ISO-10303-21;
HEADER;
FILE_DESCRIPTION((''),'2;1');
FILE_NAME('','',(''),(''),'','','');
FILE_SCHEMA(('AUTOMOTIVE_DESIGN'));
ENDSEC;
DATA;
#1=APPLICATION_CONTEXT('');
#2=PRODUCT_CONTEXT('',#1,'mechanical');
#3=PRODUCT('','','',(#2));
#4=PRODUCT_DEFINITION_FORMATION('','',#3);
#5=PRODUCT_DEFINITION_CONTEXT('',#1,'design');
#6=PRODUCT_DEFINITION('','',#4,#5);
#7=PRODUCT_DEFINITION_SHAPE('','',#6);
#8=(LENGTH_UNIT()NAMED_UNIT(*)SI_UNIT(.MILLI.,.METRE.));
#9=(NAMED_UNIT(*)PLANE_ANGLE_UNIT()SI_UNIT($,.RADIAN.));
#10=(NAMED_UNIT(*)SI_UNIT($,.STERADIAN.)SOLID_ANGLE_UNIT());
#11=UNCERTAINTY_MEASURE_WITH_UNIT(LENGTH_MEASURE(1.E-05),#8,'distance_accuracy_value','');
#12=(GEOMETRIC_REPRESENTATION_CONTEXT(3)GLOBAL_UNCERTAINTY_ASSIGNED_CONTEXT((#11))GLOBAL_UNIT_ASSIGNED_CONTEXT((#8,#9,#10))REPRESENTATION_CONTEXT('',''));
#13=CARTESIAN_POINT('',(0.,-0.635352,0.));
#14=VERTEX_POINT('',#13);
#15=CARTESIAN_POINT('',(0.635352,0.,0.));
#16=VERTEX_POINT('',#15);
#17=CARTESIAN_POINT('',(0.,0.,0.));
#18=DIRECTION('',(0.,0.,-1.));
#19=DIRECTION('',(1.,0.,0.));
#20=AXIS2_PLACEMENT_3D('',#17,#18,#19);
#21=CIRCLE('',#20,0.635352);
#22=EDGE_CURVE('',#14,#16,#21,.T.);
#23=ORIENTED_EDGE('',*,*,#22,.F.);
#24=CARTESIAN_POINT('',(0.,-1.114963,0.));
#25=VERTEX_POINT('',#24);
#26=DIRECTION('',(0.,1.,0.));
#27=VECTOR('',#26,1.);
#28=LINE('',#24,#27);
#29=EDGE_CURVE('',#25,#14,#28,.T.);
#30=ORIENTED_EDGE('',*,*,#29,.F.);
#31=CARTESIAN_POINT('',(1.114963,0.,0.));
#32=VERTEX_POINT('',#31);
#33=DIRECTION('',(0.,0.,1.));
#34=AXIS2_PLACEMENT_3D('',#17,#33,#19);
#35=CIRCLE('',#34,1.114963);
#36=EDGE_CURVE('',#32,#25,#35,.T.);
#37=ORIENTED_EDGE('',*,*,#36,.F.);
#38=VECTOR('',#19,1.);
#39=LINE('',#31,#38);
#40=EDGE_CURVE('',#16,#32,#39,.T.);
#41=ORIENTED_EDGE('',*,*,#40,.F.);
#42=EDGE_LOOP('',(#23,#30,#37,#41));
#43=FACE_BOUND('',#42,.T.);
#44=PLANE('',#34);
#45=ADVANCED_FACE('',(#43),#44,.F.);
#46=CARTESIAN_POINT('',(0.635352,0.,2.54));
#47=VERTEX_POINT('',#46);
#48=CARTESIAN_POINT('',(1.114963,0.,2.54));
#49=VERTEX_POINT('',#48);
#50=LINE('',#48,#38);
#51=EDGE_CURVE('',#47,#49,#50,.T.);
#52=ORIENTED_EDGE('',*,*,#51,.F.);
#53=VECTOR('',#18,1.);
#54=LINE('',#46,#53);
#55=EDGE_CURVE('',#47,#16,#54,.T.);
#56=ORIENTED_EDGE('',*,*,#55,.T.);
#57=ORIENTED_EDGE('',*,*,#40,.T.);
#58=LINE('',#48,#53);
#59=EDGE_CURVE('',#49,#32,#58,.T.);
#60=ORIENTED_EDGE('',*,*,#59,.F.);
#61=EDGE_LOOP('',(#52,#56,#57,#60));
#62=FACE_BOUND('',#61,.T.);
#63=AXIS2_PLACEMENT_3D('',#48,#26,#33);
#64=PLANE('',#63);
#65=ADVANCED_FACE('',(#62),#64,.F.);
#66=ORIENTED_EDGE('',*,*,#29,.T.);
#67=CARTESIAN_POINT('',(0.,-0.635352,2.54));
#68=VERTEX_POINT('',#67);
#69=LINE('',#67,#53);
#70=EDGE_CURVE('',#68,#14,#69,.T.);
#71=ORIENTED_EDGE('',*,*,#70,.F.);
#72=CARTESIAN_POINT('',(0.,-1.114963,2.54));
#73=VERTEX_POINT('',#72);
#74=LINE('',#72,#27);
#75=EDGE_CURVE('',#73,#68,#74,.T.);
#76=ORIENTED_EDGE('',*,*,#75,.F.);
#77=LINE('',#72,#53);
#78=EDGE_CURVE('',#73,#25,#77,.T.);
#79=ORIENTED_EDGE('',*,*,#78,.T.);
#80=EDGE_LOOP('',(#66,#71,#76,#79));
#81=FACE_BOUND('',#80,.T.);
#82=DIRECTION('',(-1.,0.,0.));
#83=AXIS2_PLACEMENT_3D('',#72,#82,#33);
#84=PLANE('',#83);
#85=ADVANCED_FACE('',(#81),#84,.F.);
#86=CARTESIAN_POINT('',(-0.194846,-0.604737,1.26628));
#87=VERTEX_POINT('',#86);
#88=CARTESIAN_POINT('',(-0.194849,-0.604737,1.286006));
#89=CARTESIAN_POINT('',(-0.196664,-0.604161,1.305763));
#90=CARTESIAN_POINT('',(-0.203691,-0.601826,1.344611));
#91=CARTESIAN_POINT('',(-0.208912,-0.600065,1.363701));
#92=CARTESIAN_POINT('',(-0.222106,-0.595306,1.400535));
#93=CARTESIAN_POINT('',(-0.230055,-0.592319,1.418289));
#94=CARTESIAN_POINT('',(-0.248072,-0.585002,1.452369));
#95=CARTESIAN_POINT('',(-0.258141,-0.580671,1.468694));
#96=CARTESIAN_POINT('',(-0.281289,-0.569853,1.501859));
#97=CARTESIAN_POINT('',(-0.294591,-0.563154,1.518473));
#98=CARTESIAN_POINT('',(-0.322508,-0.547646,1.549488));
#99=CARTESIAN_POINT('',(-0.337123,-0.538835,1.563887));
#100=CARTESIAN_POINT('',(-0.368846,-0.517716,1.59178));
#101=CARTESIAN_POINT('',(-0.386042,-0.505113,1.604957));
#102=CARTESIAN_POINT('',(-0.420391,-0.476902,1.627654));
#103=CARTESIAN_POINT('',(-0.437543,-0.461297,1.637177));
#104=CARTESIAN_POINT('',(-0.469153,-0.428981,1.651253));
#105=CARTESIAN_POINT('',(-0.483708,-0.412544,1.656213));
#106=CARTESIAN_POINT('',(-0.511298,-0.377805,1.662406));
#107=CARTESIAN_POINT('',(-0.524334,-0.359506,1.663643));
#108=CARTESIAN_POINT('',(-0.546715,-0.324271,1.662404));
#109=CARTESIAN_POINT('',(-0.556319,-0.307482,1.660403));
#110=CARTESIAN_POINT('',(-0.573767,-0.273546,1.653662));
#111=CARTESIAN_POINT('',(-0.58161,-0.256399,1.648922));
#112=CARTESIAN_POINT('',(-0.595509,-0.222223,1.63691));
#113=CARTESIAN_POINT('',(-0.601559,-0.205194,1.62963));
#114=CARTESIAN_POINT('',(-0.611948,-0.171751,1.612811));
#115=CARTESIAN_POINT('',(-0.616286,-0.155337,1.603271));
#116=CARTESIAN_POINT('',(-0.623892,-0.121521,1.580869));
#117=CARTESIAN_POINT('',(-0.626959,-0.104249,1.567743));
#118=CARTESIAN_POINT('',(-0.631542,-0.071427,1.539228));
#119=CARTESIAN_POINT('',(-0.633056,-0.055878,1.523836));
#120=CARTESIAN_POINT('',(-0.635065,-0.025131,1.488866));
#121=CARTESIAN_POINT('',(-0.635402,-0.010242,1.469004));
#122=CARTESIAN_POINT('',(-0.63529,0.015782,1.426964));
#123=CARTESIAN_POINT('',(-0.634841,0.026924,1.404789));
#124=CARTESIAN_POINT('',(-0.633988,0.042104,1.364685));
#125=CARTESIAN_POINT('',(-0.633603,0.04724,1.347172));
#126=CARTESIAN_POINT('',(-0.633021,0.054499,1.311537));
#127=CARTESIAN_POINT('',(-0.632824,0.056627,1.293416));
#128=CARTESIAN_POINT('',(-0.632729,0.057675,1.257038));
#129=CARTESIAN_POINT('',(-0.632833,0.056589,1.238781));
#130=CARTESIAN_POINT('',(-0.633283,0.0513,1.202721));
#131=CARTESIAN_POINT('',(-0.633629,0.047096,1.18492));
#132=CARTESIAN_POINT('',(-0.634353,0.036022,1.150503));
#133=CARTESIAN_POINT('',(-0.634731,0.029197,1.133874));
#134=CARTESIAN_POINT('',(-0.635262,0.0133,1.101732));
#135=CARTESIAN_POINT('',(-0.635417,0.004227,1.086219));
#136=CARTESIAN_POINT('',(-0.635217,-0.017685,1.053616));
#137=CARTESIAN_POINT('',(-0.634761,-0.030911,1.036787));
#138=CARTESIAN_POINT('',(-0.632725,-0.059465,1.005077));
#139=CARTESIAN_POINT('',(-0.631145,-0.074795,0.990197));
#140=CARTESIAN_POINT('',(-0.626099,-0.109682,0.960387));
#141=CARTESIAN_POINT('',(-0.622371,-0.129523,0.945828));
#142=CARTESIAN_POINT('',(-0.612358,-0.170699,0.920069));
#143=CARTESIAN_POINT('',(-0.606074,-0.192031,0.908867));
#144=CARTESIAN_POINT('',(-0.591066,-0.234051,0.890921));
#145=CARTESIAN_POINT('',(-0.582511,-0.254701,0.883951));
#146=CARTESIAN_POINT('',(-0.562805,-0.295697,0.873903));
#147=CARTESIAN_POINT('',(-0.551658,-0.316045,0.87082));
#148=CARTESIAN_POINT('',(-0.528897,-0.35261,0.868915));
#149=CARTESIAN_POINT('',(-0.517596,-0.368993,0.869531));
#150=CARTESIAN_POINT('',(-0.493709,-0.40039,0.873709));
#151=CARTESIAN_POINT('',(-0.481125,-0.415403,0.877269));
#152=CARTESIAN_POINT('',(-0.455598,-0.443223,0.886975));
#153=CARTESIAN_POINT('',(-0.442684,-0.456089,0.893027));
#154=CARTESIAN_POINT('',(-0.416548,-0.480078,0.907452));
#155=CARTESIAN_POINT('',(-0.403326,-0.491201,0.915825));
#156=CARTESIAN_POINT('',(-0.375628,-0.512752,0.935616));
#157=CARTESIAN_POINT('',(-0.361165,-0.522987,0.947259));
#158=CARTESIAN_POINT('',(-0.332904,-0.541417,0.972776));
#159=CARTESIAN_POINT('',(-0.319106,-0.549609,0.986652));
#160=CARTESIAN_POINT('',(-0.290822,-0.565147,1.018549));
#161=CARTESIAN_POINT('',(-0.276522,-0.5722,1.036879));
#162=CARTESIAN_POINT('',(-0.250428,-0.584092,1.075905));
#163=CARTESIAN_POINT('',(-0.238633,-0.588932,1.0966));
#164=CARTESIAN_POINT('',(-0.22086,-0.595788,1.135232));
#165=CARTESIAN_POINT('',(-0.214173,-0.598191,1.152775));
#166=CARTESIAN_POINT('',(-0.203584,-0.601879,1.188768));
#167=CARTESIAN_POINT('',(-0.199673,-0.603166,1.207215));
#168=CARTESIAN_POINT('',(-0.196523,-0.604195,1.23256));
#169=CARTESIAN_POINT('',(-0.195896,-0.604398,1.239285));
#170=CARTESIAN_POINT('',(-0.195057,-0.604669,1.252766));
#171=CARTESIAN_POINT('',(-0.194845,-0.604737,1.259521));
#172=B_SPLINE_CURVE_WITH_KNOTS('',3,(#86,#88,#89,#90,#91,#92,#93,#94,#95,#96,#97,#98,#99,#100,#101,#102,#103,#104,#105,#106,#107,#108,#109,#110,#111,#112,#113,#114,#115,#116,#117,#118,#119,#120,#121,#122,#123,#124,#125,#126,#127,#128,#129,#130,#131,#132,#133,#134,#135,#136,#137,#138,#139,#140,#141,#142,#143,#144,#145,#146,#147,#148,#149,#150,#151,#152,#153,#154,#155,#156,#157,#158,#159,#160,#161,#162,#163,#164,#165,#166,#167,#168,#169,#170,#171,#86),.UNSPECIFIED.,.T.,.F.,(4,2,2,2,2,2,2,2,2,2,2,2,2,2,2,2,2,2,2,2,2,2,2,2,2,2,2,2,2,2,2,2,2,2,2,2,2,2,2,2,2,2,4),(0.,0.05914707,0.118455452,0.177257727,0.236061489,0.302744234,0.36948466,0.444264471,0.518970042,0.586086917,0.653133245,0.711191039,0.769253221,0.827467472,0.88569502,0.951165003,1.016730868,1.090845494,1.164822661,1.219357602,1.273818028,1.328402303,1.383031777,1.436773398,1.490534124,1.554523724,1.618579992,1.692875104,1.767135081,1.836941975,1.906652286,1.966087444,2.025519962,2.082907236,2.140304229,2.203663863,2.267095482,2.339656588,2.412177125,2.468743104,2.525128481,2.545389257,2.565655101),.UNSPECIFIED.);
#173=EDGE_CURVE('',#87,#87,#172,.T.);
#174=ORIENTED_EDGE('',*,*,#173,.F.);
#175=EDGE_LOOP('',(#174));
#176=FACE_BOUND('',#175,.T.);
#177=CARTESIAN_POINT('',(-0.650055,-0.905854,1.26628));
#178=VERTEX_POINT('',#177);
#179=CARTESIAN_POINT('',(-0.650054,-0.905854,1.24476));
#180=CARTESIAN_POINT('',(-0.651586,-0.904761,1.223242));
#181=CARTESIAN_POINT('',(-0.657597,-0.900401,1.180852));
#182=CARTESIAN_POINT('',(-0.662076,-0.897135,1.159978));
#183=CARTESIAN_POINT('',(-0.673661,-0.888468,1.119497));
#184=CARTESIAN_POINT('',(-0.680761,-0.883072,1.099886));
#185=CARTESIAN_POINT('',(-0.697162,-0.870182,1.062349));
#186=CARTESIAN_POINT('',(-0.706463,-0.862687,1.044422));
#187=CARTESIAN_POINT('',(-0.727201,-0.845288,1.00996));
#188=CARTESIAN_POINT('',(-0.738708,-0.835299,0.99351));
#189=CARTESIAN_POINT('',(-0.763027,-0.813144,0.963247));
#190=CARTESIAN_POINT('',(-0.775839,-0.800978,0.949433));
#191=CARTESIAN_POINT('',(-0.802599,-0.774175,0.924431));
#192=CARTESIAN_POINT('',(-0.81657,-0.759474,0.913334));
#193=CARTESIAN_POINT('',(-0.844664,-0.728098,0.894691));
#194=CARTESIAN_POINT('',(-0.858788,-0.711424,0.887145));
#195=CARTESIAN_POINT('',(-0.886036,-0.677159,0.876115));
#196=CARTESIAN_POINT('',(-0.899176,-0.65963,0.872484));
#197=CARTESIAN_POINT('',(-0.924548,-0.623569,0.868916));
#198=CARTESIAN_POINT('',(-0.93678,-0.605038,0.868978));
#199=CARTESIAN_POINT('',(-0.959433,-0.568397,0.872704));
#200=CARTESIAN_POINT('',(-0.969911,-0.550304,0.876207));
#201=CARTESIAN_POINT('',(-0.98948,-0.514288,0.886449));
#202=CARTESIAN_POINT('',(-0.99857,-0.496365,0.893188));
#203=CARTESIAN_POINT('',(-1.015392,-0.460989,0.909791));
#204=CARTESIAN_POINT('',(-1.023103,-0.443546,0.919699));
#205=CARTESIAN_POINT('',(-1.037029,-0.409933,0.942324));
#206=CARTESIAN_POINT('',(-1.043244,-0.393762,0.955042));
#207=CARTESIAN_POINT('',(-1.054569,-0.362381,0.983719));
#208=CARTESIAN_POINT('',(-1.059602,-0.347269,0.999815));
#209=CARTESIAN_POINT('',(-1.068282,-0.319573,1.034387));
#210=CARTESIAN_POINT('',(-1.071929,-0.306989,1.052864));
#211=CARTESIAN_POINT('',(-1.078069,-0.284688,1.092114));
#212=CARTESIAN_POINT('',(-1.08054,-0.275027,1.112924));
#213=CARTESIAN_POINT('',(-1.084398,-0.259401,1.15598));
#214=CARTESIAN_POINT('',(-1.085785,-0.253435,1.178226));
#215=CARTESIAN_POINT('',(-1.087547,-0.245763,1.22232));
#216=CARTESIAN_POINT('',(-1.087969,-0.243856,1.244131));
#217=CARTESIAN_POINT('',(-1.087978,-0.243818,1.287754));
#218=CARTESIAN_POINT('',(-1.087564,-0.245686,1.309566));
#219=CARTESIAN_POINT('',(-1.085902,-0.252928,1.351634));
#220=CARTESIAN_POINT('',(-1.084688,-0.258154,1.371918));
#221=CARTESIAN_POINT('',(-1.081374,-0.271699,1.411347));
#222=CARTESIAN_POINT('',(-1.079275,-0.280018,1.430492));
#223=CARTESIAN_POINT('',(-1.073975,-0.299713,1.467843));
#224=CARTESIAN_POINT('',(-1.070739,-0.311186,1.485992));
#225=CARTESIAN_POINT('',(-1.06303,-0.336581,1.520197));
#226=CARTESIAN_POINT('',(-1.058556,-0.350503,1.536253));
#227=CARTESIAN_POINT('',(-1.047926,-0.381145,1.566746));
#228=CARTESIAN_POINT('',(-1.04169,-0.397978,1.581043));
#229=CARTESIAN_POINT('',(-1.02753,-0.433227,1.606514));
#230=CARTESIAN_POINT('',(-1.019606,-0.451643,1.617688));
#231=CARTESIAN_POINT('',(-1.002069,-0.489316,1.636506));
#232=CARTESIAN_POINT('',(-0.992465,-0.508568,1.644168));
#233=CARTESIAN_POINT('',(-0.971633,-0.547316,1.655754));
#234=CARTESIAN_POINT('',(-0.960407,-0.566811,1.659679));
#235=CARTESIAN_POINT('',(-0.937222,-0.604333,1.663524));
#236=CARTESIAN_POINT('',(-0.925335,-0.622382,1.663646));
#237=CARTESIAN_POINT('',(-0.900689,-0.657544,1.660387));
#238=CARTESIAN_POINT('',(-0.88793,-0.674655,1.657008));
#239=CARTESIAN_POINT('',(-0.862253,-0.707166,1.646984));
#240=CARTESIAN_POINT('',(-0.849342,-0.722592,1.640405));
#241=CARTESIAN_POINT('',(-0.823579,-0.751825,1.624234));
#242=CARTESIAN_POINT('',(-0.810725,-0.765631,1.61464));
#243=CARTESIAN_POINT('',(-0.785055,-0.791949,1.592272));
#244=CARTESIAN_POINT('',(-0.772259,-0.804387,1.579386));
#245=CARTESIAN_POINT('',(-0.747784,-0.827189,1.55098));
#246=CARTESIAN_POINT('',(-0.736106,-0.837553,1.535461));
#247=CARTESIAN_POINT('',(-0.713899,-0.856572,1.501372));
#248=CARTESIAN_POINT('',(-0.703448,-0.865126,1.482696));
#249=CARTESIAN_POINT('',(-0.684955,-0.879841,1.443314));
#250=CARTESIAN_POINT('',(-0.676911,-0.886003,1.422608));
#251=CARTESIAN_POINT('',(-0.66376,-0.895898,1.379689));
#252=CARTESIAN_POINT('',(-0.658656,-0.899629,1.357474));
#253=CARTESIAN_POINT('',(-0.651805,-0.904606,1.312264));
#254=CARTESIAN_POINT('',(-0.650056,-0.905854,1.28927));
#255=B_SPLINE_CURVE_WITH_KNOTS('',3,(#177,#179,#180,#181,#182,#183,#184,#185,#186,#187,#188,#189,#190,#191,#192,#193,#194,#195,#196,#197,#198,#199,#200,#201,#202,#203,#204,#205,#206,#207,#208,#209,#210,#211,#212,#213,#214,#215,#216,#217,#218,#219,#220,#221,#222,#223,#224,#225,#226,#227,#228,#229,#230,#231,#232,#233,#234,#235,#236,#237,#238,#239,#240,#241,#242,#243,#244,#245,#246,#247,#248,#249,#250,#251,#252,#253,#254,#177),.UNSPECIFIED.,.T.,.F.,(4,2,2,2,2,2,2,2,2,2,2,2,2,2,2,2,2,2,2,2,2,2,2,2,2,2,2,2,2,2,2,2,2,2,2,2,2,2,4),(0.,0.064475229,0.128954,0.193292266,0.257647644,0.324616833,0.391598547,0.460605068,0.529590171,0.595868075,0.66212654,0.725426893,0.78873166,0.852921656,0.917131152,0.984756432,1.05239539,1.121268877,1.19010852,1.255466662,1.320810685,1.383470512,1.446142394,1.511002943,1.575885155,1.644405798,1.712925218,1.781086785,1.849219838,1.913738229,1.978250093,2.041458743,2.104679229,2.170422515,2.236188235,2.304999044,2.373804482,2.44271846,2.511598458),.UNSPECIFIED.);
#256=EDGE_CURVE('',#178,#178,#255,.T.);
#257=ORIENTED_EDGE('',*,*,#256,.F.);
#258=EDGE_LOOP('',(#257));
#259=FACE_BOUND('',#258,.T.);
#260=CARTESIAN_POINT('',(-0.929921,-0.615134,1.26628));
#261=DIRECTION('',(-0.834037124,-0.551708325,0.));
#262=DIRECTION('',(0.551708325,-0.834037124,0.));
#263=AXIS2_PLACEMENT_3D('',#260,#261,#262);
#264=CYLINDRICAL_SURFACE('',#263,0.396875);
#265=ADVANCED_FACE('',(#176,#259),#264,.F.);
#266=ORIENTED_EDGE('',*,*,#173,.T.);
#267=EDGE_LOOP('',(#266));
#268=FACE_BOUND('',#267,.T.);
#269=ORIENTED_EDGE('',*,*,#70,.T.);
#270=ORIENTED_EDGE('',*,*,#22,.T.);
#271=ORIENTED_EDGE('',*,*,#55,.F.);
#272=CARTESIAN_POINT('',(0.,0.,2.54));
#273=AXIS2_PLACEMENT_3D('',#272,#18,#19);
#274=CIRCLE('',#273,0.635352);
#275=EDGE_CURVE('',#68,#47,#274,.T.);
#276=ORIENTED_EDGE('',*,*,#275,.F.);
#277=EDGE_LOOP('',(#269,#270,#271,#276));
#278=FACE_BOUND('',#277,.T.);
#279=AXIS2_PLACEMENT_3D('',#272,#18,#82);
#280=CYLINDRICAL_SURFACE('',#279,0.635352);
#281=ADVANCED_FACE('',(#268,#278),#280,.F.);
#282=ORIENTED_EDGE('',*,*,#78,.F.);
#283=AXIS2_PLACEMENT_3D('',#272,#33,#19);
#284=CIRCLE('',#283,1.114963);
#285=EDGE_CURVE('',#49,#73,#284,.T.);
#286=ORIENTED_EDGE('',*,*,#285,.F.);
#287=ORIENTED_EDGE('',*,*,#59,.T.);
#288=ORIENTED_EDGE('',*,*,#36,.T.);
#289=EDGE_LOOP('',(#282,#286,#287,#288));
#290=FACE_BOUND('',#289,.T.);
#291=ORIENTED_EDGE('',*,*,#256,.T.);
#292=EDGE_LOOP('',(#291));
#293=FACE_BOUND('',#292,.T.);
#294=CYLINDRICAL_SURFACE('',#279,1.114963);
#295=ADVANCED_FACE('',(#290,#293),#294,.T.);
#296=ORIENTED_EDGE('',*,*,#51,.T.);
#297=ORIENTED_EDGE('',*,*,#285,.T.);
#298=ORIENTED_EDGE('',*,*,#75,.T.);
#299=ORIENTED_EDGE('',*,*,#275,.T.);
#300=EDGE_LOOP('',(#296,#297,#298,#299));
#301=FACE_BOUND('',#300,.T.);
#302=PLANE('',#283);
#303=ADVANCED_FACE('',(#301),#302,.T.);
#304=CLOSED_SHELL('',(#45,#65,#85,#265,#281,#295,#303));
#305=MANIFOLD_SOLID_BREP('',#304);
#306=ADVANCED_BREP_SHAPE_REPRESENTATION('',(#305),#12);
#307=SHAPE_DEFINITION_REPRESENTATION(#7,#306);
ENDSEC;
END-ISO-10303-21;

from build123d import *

# Parameters (mm, degrees)
BOSS_EXTRUDE1_DEPTH                 = 2.54
F_1_32_0_03125_DIAMETER_HOLE1_D     = 0.79375
F_1_32_0_03125_DIAMETER_HOLE1_DEPTH = 1.27
F_1_32_0_03125_DIAMETER_HOLE1_TIP   = 0.333017666


with BuildPart() as part:
    # Sketch1 → Boss-Extrude1 (new body)
    with BuildSketch(Plane.XY):
        with BuildLine():
            Line((0, -1.114963074), (0, -0.635351917))
            ThreePointArc((0, -0.635351917), (-0.449261649, 0.449261649), (0.635351917, 0))
            Line((0.635351917, 0), (1.114963074, 0))
            ThreePointArc((1.114963074, 0), (-0.78839795, 0.78839795), (0, -1.114963074))
        make_face()
    extrude(amount=BOSS_EXTRUDE1_DEPTH)

    # 1/32 (0.03125) Diameter Hole1
    with Locations(Plane(origin=(-0.929920595, -0.615134411, 1.266279726), x_dir=(0.551708325444, -0.834037123656, 0), z_dir=(-0.834037123656, -0.551708325444, 0))):
        with Locations((-1e-09, 0)):
            Hole(F_1_32_0_03125_DIAMETER_HOLE1_D / 2, depth=F_1_32_0_03125_DIAMETER_HOLE1_DEPTH)
            with Locations((0, 0, -(F_1_32_0_03125_DIAMETER_HOLE1_DEPTH + F_1_32_0_03125_DIAMETER_HOLE1_TIP / 2))):  # 100° drill point
                Cone(0, F_1_32_0_03125_DIAMETER_HOLE1_D / 2, F_1_32_0_03125_DIAMETER_HOLE1_TIP, mode=Mode.SUBTRACT)


solid = part.part
